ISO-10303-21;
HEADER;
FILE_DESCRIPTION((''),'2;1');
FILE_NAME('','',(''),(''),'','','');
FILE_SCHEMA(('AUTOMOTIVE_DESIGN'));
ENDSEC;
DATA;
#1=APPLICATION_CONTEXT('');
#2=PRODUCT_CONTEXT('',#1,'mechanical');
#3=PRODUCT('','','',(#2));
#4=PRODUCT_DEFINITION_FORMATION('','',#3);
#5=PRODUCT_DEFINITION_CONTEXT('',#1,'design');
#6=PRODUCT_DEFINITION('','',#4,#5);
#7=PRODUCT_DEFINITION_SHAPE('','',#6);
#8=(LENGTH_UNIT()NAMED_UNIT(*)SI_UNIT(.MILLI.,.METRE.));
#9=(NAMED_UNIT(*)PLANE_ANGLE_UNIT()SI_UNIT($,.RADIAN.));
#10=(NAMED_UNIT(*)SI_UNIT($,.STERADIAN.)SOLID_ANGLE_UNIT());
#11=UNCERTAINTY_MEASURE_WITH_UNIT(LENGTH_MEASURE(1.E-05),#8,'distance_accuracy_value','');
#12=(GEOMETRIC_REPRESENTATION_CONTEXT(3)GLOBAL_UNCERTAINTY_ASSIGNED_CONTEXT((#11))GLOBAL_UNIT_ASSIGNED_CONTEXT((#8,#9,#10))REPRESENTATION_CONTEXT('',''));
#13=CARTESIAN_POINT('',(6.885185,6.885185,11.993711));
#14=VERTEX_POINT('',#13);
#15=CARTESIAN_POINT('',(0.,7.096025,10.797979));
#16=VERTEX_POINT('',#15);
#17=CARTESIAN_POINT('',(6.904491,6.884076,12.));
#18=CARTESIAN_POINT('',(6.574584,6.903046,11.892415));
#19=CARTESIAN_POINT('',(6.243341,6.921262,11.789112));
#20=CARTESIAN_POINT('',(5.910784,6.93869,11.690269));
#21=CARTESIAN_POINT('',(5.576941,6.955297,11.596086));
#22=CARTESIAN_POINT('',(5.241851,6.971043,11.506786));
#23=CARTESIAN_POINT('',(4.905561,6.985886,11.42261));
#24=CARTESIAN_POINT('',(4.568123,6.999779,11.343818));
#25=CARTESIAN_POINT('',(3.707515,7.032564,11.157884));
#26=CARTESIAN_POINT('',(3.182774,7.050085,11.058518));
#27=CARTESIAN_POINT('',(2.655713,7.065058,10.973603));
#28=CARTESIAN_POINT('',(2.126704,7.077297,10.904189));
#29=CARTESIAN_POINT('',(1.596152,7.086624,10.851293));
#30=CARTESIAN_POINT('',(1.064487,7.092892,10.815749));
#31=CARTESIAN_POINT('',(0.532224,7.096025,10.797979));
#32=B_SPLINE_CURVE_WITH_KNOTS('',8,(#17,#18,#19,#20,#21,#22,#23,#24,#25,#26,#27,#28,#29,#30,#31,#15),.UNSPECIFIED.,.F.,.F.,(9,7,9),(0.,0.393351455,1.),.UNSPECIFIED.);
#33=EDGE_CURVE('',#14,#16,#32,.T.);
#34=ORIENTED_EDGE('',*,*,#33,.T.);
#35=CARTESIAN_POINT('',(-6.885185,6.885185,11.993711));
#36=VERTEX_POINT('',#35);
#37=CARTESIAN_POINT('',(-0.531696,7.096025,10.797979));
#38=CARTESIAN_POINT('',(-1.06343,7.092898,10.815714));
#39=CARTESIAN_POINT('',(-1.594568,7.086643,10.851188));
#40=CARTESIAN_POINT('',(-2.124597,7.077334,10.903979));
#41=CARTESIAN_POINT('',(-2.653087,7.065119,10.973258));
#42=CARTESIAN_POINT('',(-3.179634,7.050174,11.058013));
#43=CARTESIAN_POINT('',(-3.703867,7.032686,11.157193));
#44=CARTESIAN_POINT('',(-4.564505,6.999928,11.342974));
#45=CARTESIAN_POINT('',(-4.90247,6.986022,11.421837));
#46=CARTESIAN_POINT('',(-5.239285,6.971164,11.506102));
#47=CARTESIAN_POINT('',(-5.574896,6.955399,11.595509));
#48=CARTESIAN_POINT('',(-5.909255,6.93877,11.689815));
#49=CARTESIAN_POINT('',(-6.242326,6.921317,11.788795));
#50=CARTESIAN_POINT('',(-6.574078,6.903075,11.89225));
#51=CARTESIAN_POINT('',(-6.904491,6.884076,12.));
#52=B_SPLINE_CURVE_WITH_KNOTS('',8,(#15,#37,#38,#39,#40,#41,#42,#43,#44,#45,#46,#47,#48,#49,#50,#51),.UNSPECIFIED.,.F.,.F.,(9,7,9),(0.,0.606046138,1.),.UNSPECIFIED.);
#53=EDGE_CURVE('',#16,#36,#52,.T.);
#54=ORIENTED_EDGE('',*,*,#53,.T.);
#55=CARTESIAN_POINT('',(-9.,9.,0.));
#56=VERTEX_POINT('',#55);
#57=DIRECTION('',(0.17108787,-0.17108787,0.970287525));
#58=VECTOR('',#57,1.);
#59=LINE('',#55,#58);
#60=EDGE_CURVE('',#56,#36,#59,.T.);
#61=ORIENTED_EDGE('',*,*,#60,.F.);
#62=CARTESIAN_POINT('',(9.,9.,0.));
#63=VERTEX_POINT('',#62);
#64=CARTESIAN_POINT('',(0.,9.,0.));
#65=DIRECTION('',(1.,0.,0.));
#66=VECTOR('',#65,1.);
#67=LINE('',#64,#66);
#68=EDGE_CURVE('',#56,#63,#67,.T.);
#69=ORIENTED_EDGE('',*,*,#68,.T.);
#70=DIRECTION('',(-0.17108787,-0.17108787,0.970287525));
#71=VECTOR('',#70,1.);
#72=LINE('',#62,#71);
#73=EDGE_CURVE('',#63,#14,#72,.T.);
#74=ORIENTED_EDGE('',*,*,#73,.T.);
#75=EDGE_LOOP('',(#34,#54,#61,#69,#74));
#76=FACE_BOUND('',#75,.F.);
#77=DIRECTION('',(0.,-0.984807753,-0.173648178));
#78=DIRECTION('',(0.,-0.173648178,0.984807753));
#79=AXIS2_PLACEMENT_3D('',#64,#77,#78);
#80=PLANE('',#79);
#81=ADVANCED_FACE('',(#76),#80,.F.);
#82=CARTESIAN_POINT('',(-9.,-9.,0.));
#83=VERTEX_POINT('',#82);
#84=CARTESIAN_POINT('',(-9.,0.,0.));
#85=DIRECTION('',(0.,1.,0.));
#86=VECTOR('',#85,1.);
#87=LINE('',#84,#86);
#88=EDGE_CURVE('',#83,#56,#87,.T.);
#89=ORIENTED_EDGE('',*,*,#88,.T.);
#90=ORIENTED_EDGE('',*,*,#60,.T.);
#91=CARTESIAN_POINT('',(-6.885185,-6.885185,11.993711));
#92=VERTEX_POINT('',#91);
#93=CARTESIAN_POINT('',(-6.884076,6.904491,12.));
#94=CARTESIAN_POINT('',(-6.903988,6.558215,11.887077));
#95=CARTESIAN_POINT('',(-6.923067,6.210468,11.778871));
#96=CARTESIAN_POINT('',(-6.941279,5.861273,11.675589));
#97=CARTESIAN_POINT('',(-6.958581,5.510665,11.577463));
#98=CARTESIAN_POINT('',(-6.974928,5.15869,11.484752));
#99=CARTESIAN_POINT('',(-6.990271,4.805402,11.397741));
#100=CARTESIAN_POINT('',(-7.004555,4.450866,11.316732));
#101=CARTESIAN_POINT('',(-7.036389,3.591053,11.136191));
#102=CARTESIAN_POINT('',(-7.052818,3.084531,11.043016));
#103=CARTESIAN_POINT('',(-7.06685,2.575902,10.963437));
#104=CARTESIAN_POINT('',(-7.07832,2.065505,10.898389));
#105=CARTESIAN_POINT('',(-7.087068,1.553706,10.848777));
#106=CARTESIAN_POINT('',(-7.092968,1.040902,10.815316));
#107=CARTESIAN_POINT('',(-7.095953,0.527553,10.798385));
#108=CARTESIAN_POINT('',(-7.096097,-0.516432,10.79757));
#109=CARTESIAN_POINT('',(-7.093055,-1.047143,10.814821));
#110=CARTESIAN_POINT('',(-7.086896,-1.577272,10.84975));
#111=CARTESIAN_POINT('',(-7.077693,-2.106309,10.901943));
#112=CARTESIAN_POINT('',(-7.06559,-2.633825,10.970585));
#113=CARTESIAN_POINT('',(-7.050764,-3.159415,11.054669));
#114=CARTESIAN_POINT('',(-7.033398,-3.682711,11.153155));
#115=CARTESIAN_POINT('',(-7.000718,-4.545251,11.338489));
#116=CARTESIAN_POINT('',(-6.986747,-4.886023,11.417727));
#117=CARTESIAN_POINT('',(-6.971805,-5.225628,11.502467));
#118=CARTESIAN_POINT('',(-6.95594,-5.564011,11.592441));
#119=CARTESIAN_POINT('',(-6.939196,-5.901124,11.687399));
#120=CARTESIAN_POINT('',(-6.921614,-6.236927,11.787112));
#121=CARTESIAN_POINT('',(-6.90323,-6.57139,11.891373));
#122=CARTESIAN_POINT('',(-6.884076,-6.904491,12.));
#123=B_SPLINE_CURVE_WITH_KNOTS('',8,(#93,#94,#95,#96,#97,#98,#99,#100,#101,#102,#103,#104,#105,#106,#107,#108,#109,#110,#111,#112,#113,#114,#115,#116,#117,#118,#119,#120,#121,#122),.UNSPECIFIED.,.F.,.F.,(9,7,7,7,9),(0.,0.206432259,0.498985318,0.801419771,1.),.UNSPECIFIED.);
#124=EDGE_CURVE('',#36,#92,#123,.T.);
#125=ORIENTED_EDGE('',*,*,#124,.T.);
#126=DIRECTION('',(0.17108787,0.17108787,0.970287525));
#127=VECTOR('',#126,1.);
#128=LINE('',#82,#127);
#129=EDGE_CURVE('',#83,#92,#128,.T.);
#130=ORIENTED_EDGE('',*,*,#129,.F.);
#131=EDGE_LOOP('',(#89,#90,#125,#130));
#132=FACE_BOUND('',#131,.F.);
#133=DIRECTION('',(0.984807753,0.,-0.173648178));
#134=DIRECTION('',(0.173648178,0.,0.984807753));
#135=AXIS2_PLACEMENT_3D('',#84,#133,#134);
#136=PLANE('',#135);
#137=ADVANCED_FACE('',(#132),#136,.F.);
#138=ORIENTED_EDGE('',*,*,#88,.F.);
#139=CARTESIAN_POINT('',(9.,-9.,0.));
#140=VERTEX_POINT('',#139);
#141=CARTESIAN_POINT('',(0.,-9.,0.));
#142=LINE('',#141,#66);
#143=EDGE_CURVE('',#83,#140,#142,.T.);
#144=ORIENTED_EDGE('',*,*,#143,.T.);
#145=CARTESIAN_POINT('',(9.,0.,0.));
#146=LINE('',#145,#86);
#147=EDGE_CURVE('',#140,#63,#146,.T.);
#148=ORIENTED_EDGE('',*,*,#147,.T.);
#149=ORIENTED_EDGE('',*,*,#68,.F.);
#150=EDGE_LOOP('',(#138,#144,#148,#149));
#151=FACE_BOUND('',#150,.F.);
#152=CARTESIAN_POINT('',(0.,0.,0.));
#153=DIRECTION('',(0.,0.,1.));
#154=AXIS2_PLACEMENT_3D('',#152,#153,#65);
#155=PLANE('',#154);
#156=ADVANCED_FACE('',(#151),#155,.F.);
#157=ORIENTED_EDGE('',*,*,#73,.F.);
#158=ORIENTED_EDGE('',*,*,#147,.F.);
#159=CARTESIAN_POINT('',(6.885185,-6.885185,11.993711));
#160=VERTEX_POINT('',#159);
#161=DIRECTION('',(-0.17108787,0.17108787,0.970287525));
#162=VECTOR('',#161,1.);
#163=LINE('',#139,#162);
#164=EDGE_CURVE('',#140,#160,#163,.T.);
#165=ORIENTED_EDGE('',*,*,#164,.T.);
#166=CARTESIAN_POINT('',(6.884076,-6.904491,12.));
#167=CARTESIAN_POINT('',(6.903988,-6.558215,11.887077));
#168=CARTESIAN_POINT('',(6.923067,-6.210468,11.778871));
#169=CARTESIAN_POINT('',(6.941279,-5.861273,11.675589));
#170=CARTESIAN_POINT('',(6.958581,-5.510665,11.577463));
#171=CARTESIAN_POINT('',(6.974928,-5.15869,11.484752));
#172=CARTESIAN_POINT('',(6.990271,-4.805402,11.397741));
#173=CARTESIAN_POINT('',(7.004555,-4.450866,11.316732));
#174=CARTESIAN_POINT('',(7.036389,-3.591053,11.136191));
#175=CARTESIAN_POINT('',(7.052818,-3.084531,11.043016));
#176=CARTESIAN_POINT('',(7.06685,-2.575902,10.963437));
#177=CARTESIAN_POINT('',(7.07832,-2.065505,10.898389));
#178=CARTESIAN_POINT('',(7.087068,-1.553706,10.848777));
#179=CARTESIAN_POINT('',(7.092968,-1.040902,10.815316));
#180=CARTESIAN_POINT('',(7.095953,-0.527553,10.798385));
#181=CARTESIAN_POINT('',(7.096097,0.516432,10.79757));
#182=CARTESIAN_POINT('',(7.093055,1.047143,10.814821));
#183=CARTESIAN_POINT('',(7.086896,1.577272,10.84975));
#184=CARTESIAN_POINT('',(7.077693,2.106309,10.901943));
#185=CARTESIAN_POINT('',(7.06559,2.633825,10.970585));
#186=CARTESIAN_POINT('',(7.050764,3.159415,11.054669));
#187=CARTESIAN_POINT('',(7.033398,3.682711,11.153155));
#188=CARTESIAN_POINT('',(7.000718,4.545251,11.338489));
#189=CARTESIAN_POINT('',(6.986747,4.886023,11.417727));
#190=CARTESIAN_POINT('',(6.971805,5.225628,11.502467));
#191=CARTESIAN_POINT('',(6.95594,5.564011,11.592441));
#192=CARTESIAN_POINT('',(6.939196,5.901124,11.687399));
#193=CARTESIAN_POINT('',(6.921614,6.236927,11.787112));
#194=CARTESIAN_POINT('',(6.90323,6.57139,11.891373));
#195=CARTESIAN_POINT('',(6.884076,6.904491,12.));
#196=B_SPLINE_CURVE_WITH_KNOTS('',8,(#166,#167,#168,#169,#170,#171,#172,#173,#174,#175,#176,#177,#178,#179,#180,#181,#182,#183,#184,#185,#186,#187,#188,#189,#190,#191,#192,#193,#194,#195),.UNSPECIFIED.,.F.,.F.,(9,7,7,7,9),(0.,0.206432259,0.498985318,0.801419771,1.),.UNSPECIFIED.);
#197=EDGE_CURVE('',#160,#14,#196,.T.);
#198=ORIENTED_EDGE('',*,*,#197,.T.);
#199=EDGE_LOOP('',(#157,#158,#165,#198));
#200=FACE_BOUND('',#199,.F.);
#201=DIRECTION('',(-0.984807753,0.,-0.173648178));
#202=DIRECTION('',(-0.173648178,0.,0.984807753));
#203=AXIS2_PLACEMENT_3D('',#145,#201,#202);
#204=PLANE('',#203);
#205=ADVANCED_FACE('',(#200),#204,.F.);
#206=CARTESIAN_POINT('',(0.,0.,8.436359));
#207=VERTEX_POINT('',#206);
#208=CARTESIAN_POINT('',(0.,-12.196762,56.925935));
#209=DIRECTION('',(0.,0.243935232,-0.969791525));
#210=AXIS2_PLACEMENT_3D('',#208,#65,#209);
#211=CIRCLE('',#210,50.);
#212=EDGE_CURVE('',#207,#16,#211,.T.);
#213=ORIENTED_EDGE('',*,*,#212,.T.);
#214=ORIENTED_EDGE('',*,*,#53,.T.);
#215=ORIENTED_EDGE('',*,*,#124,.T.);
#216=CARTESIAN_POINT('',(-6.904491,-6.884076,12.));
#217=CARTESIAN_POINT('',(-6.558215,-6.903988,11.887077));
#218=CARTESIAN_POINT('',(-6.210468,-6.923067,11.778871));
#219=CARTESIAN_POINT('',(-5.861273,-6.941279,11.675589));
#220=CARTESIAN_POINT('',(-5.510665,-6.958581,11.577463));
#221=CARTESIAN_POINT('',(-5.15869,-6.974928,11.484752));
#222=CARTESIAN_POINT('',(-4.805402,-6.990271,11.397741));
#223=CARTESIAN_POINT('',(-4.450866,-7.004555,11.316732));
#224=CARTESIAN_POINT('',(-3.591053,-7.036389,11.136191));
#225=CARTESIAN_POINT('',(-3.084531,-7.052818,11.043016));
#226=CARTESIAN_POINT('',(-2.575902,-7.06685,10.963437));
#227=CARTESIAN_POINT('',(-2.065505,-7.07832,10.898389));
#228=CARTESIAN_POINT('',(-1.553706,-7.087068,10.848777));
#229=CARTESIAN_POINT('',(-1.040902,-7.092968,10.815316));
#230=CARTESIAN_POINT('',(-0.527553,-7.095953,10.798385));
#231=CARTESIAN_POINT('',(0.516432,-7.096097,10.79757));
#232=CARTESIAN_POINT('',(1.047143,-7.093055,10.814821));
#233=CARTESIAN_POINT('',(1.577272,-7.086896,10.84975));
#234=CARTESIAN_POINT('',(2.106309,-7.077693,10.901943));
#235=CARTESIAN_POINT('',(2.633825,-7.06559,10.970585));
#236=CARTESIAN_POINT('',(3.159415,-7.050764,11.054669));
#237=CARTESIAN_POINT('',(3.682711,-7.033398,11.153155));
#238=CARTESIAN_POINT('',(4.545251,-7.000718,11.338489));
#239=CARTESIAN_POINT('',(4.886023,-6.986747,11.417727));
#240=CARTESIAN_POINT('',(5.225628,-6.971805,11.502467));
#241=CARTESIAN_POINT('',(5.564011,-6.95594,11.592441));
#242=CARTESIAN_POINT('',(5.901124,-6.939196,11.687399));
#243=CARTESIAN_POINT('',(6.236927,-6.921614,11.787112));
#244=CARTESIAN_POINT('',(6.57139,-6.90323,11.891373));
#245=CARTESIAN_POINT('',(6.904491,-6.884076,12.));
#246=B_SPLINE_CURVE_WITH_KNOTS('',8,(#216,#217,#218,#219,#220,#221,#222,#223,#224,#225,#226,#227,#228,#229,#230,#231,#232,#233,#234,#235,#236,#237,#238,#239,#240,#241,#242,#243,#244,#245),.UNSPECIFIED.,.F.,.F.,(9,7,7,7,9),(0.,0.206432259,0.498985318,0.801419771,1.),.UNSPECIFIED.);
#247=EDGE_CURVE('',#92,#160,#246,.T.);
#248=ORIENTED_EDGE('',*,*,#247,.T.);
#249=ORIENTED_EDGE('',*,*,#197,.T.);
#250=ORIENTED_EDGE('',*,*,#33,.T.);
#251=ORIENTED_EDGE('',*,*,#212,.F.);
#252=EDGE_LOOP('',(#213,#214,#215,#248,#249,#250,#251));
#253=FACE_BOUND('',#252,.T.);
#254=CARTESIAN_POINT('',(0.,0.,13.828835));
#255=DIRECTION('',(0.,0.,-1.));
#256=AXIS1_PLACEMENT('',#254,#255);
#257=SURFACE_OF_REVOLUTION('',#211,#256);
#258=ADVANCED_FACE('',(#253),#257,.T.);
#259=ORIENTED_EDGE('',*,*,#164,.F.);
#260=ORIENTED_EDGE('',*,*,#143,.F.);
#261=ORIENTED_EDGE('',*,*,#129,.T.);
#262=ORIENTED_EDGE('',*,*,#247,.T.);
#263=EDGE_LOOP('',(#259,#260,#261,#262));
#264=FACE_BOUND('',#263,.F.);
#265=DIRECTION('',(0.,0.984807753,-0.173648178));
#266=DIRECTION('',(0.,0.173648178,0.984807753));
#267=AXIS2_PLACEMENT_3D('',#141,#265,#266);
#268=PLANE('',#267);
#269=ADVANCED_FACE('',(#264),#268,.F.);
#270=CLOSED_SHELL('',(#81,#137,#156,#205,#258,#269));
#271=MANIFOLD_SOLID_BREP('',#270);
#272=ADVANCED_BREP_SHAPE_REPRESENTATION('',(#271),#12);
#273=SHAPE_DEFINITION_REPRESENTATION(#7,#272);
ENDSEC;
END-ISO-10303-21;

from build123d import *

# Parameters (mm, degrees)
F0_W     = 18
F0_H     = 18
F1_DEPTH = 12
F1_TAPER = 10


with BuildPart() as f1:
    # F0 (on Top) → F1 (new body)
    with BuildSketch(Plane.XY):
        Rectangle(F0_W, F0_H)
    extrude(amount=F1_DEPTH, taper=F1_TAPER)

    # F3 (on offset) → F4 (revolve, cut)
    with BuildSketch(Plane.YZ):
        with BuildLine():
            Line((0, 12), (0, 8.4363589494))
            ThreePointArc((0, 8.4363589494), (8.3365440222, 11.3366452454), (16.0331911725, 15.6576693689))
            Line((16.0331911725, 15.6576693689), (0, 15.6576693689))
            Line((0, 15.6576693689), (0, 12))
        make_face()
    revolve(axis=Axis((0, 0, 13.8288346844), (0, 0, -1)), mode=Mode.SUBTRACT)


solid = f1.part
